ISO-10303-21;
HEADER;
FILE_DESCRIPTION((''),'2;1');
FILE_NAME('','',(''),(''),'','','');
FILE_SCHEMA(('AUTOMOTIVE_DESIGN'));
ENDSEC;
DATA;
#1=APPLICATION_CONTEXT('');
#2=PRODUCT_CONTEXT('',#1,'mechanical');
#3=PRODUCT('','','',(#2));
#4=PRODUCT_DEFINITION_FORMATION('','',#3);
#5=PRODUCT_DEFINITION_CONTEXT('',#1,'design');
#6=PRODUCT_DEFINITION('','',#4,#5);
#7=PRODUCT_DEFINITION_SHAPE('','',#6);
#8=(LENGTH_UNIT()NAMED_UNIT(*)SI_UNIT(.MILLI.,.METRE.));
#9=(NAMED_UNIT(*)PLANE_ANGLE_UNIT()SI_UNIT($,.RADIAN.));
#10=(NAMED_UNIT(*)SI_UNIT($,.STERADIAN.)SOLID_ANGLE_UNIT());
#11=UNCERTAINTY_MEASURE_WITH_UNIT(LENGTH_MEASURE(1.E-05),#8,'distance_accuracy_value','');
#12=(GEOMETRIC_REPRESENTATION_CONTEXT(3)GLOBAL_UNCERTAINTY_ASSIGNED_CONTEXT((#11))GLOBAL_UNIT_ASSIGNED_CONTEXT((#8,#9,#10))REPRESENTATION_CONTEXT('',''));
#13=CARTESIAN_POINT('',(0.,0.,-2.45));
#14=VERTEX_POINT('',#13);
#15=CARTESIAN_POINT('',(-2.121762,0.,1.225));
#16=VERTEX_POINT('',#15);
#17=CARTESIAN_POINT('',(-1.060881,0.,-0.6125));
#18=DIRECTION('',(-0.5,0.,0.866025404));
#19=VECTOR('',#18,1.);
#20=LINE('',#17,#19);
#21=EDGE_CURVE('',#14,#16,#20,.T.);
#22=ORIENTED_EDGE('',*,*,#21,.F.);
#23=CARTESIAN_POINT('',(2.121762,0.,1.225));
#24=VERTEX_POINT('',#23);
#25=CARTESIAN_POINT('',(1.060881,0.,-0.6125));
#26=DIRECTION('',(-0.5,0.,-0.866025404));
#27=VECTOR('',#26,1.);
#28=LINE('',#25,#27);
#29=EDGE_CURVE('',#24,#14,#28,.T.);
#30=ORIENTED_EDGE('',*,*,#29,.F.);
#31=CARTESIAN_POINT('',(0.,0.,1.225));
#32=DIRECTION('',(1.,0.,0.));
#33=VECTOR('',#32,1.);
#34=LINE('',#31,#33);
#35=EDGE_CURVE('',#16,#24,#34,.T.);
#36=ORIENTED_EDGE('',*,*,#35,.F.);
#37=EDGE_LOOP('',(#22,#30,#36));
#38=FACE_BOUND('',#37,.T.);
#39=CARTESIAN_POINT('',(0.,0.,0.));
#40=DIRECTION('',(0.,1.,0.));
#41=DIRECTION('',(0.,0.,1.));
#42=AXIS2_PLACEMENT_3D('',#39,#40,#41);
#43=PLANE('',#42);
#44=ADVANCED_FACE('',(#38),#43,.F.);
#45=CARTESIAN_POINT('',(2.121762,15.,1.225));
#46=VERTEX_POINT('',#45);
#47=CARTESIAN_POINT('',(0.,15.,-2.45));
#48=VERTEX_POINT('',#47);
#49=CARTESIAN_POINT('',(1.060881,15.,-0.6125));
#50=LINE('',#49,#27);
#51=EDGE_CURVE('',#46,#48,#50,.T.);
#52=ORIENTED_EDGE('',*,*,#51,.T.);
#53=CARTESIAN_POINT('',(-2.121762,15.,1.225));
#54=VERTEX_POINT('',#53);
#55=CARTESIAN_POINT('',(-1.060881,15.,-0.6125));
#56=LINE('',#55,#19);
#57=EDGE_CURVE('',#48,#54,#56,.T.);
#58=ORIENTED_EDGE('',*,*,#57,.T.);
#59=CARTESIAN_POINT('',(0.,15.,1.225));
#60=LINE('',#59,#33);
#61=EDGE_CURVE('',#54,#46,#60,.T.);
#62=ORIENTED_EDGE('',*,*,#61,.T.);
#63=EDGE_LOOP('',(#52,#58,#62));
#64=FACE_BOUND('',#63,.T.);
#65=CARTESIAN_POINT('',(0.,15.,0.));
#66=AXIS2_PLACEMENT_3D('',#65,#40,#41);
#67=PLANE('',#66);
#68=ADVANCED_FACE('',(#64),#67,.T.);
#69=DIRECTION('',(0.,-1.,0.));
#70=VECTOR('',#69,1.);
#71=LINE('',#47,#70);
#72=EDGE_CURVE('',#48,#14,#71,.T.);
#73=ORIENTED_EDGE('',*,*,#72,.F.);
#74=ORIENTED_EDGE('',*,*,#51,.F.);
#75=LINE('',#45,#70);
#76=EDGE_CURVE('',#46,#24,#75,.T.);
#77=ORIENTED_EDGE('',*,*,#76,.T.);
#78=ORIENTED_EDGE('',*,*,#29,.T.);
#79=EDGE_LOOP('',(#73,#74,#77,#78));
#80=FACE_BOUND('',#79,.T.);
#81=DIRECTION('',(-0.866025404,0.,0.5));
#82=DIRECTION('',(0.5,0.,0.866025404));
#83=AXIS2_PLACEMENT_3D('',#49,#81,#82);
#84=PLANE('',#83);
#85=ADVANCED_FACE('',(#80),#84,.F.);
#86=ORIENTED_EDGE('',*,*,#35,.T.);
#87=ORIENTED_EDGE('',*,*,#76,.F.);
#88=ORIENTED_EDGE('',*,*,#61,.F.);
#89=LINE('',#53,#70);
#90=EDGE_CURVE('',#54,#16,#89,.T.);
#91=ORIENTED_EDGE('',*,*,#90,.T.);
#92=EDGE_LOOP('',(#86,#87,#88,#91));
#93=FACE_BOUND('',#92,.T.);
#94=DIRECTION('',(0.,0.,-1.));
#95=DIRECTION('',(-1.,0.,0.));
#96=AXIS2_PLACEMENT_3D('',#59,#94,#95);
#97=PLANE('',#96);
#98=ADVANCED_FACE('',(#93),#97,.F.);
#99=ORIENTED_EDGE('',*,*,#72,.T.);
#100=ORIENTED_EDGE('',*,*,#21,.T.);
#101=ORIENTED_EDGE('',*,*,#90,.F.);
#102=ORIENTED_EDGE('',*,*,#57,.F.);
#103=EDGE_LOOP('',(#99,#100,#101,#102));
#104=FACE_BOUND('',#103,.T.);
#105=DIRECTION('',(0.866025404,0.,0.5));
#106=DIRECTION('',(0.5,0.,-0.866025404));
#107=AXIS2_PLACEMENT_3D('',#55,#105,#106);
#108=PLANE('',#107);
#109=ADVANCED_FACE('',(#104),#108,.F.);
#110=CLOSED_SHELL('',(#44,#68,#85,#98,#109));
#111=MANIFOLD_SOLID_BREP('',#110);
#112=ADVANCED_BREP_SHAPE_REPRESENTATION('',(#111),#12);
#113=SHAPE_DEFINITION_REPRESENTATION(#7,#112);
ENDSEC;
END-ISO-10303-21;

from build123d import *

# Parameters (mm, degrees)
BOSS_EXTRUDE1_DEPTH = 15


with BuildPart() as part:
    # Sketch1 → Boss-Extrude1 (new body)
    with BuildSketch(Plane(origin=(0, 0, 0), x_dir=(1, 0, 0), z_dir=(0, 1, 0))):
        Polygon((-2.121762239, -1.225), (2.121762239, -1.225), (0, 2.45), align=None)
    extrude(amount=BOSS_EXTRUDE1_DEPTH)


solid = part.part
